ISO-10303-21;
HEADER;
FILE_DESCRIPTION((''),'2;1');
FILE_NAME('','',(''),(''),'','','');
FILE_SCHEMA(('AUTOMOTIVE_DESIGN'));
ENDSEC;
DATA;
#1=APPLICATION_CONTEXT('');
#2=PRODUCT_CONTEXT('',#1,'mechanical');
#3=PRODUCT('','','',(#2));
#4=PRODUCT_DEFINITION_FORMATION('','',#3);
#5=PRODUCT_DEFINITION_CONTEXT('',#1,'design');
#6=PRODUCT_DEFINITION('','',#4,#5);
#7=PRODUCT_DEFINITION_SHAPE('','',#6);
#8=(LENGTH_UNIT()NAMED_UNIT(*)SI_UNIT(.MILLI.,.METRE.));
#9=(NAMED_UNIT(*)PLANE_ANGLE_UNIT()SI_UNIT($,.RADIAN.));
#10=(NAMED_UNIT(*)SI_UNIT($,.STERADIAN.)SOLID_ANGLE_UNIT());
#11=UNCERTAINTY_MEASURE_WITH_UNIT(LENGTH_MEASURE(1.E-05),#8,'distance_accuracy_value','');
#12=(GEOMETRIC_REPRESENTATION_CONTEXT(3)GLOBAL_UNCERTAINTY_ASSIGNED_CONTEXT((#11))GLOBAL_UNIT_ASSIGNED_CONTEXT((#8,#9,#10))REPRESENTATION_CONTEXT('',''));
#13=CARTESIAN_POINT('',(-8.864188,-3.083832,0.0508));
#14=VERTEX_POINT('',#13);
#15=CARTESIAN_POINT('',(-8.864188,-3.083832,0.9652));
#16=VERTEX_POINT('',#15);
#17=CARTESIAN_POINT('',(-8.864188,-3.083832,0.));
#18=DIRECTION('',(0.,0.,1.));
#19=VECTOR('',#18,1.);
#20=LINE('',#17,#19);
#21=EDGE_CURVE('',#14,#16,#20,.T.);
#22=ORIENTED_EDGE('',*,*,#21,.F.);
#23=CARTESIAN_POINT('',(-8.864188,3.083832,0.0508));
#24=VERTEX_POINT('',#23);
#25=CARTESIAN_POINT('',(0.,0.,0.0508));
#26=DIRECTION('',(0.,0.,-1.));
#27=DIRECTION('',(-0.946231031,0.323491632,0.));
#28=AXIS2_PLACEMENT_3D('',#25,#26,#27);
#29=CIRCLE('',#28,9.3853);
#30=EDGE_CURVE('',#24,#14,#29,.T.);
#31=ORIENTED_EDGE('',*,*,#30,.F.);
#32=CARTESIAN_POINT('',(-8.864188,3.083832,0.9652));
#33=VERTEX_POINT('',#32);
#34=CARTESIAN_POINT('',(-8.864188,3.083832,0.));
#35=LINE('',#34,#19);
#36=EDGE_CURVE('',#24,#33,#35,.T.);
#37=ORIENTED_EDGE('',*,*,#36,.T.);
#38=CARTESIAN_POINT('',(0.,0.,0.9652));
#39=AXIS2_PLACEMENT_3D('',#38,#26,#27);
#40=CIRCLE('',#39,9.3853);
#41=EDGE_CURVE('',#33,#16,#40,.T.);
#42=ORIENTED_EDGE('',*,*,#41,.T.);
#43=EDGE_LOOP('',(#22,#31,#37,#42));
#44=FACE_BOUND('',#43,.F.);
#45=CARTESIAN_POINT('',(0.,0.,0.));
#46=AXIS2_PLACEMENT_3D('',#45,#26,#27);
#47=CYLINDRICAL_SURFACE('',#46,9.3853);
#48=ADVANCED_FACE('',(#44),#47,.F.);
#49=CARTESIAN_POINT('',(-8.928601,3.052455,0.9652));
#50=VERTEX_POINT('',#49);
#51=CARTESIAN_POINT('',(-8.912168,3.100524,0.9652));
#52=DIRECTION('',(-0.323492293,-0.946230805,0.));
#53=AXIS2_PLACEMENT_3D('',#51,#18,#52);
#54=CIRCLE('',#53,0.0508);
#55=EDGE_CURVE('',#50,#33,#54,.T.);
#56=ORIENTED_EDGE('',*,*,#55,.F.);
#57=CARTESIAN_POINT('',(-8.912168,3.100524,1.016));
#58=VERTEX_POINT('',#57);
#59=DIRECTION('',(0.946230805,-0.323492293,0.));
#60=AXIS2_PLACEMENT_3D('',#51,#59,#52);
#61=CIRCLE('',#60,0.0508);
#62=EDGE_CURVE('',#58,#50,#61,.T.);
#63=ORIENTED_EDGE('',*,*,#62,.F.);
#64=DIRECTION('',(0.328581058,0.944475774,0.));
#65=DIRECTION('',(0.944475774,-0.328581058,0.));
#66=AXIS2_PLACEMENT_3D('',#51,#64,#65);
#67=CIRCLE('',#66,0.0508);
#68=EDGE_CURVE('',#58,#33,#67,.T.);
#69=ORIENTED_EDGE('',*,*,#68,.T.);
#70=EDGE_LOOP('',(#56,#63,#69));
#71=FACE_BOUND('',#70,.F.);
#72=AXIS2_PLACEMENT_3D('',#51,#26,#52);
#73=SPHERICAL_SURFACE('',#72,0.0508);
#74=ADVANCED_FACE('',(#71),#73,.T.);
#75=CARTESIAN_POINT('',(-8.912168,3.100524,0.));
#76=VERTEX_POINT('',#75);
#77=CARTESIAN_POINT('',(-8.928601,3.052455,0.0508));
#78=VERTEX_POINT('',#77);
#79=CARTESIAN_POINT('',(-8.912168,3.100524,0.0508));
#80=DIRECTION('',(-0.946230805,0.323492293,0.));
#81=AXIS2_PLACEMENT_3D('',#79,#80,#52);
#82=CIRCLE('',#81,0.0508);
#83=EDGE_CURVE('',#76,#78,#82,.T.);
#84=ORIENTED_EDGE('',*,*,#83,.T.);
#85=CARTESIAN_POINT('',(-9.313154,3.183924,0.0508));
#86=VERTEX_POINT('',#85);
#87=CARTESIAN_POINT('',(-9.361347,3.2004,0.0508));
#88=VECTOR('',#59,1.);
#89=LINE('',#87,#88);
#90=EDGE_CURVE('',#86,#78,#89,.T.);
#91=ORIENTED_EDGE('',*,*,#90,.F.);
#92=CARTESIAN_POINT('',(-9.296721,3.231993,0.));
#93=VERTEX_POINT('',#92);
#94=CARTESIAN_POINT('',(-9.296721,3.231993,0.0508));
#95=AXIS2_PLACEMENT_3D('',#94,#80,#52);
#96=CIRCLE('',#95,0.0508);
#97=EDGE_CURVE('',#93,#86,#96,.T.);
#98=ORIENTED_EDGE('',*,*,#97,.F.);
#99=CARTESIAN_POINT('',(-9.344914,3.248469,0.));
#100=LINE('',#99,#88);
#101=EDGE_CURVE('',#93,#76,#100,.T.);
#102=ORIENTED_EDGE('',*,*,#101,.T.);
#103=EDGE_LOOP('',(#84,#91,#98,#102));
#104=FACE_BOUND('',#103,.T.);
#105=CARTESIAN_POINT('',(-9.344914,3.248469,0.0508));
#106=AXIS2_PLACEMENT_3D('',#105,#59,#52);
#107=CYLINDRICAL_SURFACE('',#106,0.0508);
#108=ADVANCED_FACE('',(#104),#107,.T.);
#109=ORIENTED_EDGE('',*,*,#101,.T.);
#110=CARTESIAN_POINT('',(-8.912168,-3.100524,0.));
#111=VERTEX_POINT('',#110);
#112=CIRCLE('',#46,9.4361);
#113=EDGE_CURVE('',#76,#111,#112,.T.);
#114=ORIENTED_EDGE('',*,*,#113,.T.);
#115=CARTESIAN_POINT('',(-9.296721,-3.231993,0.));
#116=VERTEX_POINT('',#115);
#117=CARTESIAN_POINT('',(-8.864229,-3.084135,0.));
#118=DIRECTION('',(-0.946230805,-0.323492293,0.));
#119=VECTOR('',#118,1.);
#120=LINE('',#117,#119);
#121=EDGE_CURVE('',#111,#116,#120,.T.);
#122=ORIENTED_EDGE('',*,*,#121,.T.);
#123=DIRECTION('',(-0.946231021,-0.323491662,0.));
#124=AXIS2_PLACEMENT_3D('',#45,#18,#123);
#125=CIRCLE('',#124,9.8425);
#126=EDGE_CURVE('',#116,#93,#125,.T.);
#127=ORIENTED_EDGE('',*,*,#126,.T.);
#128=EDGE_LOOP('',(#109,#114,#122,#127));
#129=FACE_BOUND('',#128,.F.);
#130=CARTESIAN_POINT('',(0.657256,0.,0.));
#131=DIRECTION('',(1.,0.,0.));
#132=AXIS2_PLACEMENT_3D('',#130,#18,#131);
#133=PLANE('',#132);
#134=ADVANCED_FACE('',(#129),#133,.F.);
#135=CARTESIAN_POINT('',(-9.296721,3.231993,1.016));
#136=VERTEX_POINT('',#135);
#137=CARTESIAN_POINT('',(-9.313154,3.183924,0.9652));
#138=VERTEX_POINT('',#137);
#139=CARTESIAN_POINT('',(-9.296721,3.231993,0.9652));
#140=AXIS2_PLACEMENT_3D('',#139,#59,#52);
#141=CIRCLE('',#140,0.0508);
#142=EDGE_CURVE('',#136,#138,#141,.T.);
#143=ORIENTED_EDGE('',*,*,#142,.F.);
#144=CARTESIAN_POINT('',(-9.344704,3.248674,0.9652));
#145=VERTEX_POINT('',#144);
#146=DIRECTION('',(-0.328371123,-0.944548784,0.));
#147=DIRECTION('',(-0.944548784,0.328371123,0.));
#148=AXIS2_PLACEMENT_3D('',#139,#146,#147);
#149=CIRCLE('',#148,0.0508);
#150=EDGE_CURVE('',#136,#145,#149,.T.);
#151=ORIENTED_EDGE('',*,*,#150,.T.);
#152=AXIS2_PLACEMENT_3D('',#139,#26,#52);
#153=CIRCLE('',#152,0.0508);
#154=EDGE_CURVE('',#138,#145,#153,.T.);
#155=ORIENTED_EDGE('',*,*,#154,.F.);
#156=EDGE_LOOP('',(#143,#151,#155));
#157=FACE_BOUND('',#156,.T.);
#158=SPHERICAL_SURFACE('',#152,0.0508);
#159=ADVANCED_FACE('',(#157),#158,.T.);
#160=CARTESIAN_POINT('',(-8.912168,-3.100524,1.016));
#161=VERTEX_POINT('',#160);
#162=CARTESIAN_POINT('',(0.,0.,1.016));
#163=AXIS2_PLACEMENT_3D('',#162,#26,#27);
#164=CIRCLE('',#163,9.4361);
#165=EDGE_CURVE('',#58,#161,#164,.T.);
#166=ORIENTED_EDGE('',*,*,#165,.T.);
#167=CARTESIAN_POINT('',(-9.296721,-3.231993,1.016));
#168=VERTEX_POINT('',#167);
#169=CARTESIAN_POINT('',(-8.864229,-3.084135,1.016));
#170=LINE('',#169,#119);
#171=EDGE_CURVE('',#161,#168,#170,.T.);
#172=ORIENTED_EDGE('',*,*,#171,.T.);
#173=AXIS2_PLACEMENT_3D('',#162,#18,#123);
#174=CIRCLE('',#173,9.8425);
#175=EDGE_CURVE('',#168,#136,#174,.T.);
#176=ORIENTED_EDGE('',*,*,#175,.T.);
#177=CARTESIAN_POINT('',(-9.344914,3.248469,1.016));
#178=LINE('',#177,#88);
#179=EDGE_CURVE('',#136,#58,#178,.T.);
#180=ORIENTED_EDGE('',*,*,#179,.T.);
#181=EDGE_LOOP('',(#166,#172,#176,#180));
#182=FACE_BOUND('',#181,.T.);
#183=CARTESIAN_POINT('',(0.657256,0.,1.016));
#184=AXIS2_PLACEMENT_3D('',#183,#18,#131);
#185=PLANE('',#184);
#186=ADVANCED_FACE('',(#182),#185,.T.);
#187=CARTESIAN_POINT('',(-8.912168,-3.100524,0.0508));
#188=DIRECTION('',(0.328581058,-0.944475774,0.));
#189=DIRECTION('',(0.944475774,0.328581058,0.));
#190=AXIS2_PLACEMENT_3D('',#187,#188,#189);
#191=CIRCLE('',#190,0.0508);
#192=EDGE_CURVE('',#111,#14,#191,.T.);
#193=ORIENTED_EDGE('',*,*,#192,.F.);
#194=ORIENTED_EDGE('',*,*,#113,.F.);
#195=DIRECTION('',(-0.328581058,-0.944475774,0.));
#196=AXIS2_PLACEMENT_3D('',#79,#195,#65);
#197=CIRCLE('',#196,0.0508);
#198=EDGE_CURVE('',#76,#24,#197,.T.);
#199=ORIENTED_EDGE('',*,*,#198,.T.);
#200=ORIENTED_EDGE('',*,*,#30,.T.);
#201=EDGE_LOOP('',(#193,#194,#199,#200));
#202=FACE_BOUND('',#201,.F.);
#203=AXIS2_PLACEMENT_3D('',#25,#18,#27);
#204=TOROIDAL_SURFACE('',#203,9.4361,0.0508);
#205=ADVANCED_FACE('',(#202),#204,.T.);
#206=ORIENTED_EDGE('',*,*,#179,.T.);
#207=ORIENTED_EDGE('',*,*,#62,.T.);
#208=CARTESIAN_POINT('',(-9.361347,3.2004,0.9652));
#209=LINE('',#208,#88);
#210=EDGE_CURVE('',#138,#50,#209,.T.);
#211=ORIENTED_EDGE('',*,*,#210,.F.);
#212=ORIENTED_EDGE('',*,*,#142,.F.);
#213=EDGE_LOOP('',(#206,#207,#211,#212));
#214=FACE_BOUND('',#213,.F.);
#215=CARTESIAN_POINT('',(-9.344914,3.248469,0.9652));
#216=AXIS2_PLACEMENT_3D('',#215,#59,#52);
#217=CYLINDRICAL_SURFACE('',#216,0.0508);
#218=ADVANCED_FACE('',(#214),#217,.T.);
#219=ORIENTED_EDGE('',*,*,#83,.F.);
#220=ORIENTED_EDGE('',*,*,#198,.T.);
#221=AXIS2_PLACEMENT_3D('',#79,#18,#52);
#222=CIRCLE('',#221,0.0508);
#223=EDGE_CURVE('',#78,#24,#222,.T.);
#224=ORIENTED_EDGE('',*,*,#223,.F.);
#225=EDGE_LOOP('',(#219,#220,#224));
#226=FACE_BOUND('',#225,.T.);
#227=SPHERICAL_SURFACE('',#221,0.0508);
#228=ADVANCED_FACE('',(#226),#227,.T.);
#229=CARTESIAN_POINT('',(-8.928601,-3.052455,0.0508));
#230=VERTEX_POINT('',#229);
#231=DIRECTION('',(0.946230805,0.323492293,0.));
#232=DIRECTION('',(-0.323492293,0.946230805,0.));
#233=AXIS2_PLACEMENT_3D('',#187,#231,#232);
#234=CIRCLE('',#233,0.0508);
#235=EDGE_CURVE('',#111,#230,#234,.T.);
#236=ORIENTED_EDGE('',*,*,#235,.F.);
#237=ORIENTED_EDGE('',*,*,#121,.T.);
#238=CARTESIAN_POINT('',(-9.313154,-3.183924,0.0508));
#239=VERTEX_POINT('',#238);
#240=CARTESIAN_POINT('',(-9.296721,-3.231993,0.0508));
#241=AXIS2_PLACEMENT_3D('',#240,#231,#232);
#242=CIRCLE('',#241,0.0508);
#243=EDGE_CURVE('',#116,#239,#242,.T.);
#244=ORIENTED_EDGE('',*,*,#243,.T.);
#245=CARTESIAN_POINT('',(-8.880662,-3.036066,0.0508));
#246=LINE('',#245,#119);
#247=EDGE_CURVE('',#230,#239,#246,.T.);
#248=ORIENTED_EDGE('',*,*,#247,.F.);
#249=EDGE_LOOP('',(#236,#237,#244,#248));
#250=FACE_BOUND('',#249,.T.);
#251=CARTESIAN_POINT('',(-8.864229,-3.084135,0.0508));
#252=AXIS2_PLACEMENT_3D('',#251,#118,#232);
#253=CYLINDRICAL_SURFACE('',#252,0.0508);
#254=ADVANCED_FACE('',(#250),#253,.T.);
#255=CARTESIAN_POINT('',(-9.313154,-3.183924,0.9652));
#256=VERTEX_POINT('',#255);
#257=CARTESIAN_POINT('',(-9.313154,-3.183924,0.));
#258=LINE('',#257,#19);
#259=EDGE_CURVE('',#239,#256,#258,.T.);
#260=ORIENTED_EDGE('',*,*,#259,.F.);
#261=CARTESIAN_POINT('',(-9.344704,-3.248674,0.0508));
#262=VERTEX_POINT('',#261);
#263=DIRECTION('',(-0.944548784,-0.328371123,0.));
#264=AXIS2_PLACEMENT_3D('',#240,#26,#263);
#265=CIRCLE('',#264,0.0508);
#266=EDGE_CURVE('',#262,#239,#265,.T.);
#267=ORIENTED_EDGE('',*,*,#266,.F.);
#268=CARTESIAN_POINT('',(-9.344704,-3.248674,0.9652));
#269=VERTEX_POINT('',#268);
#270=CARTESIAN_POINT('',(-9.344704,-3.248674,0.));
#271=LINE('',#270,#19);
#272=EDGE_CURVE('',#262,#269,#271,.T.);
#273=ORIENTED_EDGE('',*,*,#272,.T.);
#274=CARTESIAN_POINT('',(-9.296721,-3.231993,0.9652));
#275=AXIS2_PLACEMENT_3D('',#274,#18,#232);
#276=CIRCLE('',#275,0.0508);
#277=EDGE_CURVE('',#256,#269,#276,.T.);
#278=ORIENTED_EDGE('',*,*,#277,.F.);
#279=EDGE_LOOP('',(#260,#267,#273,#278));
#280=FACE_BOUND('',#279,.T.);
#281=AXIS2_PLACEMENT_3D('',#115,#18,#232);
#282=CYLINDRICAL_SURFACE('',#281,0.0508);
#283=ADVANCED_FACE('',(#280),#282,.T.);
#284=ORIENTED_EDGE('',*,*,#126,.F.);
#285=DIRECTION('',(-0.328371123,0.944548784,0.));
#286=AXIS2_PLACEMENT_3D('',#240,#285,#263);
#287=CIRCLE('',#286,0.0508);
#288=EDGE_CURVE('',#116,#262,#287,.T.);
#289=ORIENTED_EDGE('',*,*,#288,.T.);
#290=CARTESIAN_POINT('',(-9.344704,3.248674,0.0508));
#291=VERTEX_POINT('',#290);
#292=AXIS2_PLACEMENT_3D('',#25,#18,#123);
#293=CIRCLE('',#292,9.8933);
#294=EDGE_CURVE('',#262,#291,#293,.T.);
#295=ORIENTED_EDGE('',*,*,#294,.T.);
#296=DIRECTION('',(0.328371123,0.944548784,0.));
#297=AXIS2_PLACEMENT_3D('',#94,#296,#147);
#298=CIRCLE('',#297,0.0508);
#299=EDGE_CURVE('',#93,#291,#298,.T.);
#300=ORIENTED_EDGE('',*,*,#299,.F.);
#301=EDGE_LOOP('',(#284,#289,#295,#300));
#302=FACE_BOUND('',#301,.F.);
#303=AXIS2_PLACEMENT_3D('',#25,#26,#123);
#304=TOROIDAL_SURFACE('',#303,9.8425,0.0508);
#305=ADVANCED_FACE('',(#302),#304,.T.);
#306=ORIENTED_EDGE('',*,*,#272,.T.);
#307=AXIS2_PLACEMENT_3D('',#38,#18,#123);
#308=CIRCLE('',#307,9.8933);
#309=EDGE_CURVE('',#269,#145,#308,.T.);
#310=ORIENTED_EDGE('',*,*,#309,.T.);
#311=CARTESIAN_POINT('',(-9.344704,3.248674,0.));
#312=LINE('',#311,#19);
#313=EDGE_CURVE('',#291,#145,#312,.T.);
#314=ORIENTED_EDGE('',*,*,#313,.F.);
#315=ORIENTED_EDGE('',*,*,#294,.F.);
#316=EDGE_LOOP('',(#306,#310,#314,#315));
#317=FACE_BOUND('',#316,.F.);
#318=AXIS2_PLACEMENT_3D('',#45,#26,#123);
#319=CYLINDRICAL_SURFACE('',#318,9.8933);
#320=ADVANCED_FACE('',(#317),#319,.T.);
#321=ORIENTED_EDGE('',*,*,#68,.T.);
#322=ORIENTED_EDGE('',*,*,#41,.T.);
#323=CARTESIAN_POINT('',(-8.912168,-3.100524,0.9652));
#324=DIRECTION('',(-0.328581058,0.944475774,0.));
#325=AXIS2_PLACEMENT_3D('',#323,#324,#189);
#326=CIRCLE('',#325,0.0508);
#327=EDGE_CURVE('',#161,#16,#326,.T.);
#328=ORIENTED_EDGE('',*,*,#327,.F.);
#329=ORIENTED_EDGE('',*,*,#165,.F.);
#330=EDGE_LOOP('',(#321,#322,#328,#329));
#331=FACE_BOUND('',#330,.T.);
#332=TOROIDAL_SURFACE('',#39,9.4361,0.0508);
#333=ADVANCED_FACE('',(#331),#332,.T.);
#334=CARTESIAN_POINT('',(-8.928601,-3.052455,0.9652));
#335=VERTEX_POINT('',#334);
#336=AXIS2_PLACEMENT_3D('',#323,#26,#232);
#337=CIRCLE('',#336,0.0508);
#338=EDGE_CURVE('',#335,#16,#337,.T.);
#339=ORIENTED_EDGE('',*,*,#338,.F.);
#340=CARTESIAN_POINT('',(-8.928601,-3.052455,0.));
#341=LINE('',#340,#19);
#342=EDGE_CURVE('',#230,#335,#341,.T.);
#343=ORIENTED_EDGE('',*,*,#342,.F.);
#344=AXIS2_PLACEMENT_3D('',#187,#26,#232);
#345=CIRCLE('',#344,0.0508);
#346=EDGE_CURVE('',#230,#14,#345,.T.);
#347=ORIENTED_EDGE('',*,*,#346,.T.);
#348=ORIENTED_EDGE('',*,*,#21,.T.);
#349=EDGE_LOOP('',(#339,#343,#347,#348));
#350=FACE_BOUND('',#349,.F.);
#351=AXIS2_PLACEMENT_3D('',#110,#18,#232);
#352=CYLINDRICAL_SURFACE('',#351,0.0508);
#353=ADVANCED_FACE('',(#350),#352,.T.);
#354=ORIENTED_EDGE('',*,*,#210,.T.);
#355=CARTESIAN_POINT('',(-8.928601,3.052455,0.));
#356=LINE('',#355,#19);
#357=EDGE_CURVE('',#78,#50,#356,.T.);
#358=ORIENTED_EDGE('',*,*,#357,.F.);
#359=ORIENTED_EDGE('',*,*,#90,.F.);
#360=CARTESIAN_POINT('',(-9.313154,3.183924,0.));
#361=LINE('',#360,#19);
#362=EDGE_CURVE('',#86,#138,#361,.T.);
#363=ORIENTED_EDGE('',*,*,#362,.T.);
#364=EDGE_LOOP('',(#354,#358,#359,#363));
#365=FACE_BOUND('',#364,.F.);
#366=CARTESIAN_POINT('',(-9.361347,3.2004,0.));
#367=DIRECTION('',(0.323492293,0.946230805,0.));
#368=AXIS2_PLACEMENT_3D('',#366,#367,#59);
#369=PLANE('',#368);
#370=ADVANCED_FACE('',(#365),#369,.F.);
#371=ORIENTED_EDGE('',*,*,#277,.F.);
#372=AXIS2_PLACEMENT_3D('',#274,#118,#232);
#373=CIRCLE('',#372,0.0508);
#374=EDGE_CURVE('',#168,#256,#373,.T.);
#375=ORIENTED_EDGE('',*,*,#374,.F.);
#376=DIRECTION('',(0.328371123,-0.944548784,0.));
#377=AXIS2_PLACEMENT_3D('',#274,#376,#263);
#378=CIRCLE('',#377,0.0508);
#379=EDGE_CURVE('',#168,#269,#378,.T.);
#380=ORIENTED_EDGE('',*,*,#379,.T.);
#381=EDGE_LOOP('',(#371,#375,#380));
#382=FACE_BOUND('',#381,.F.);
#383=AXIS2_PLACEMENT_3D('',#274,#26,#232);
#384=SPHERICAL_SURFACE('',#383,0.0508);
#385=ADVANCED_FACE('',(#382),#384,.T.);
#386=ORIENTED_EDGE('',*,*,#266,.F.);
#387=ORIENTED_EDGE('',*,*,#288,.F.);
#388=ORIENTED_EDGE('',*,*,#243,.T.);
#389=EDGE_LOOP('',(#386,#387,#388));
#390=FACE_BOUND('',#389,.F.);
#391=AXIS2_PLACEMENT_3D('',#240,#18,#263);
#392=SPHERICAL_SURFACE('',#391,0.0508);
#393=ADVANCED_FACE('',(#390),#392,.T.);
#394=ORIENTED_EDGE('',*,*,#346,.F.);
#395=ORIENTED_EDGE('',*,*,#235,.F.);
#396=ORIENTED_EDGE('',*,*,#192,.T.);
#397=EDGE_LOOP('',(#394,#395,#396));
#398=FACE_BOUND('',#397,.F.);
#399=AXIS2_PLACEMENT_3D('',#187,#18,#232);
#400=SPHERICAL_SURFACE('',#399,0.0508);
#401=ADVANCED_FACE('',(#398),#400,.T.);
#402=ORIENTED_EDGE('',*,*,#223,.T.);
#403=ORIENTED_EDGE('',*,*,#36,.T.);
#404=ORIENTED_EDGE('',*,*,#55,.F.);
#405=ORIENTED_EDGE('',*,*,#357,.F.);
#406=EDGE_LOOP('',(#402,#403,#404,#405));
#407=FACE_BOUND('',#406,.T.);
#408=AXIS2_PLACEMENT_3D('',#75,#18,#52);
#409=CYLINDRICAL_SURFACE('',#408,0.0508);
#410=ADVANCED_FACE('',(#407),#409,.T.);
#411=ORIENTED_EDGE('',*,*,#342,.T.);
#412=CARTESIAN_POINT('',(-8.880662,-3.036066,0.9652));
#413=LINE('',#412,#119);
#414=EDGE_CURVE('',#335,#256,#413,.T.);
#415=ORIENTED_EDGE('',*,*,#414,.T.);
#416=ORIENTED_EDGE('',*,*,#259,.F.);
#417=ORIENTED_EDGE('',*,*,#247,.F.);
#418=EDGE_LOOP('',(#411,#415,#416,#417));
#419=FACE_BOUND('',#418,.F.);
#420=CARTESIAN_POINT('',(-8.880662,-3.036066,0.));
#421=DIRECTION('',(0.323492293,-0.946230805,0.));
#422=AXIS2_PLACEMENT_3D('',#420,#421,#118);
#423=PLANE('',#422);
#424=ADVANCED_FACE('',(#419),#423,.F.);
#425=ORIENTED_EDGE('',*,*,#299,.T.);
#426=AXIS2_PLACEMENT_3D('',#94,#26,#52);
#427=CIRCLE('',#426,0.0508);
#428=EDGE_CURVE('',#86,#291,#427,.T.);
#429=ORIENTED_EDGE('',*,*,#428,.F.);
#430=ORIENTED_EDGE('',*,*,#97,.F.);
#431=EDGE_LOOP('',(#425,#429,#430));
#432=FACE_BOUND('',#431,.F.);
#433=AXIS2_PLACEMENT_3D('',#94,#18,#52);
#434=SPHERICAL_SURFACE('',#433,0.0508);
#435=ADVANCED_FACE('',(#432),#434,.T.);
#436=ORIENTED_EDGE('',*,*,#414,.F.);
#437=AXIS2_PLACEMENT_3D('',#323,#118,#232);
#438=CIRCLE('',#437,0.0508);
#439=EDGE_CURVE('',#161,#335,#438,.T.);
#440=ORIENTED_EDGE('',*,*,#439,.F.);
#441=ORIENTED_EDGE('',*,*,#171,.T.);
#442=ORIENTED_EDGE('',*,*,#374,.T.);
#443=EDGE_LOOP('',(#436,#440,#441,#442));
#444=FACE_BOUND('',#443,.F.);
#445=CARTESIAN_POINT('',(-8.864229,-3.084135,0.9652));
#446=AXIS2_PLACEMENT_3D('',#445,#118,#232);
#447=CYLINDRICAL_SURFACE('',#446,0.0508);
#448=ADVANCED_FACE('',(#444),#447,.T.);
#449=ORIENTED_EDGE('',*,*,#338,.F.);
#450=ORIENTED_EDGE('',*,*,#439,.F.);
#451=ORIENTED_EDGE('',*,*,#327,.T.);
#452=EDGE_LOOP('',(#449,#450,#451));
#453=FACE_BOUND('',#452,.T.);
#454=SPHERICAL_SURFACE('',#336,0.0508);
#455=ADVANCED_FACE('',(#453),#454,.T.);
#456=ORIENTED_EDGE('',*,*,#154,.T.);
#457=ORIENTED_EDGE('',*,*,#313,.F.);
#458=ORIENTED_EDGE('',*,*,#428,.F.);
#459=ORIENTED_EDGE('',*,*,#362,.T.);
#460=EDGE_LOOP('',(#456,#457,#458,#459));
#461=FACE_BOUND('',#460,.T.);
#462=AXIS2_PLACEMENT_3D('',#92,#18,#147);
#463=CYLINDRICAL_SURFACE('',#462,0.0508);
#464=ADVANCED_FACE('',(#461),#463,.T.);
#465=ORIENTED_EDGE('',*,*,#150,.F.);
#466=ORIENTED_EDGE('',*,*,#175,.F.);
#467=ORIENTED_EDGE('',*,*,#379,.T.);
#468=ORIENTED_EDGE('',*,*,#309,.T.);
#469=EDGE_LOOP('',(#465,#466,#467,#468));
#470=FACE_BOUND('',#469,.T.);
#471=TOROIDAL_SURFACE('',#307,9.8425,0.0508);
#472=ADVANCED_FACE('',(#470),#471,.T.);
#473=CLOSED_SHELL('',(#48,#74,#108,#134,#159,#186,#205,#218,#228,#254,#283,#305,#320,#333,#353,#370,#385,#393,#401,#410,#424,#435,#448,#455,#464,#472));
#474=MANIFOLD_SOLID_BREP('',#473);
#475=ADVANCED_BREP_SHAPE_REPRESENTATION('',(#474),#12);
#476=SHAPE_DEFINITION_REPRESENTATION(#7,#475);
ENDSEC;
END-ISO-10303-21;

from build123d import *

# Parameters (mm, degrees)
F1_DEPTH = 1.016
F2_R     = 0.0508


with BuildPart() as f1:
    # F0 (on Top) → F1 (new body)
    with BuildSketch(Plane.XY):
        with BuildLine():
            Line((-8.880662, -3.036066), (-9.361347, -3.2004))
            ThreePointArc((-9.361347, -3.2004), (9.8933, 0), (-9.361347, 3.2004))
            Line((-9.361347, 3.2004), (-8.880662, 3.036066))
            ThreePointArc((-8.880662, 3.036066), (9.3853, 0), (-8.880662, -3.036066))
        make_face()
    extrude(amount=F1_DEPTH)

    # F2
    f2_edges = [f1.edges().sort_by_distance(p)[0] for p in [
        (9.3853, 0, 1.016),
        (9.8933, 0, 1.016),
        (9.8933, 0, 0),
        (9.3853, 0, 0),
        (-8.880662, -3.036066, 0.508),
        (-8.880662, 3.036066, 0.508),
        (-9.361347, 3.2004, 0.508),
        (-9.121005, 3.118233, 0),
        (-9.121005, 3.118233, 1.016),
        (-9.121005, -3.118233, 0),
        (-9.361347, -3.2004, 0.508),
        (-9.121005, -3.118233, 1.016),
    ]]
    fillet(f2_edges, radius=F2_R)


solid = f1.part
